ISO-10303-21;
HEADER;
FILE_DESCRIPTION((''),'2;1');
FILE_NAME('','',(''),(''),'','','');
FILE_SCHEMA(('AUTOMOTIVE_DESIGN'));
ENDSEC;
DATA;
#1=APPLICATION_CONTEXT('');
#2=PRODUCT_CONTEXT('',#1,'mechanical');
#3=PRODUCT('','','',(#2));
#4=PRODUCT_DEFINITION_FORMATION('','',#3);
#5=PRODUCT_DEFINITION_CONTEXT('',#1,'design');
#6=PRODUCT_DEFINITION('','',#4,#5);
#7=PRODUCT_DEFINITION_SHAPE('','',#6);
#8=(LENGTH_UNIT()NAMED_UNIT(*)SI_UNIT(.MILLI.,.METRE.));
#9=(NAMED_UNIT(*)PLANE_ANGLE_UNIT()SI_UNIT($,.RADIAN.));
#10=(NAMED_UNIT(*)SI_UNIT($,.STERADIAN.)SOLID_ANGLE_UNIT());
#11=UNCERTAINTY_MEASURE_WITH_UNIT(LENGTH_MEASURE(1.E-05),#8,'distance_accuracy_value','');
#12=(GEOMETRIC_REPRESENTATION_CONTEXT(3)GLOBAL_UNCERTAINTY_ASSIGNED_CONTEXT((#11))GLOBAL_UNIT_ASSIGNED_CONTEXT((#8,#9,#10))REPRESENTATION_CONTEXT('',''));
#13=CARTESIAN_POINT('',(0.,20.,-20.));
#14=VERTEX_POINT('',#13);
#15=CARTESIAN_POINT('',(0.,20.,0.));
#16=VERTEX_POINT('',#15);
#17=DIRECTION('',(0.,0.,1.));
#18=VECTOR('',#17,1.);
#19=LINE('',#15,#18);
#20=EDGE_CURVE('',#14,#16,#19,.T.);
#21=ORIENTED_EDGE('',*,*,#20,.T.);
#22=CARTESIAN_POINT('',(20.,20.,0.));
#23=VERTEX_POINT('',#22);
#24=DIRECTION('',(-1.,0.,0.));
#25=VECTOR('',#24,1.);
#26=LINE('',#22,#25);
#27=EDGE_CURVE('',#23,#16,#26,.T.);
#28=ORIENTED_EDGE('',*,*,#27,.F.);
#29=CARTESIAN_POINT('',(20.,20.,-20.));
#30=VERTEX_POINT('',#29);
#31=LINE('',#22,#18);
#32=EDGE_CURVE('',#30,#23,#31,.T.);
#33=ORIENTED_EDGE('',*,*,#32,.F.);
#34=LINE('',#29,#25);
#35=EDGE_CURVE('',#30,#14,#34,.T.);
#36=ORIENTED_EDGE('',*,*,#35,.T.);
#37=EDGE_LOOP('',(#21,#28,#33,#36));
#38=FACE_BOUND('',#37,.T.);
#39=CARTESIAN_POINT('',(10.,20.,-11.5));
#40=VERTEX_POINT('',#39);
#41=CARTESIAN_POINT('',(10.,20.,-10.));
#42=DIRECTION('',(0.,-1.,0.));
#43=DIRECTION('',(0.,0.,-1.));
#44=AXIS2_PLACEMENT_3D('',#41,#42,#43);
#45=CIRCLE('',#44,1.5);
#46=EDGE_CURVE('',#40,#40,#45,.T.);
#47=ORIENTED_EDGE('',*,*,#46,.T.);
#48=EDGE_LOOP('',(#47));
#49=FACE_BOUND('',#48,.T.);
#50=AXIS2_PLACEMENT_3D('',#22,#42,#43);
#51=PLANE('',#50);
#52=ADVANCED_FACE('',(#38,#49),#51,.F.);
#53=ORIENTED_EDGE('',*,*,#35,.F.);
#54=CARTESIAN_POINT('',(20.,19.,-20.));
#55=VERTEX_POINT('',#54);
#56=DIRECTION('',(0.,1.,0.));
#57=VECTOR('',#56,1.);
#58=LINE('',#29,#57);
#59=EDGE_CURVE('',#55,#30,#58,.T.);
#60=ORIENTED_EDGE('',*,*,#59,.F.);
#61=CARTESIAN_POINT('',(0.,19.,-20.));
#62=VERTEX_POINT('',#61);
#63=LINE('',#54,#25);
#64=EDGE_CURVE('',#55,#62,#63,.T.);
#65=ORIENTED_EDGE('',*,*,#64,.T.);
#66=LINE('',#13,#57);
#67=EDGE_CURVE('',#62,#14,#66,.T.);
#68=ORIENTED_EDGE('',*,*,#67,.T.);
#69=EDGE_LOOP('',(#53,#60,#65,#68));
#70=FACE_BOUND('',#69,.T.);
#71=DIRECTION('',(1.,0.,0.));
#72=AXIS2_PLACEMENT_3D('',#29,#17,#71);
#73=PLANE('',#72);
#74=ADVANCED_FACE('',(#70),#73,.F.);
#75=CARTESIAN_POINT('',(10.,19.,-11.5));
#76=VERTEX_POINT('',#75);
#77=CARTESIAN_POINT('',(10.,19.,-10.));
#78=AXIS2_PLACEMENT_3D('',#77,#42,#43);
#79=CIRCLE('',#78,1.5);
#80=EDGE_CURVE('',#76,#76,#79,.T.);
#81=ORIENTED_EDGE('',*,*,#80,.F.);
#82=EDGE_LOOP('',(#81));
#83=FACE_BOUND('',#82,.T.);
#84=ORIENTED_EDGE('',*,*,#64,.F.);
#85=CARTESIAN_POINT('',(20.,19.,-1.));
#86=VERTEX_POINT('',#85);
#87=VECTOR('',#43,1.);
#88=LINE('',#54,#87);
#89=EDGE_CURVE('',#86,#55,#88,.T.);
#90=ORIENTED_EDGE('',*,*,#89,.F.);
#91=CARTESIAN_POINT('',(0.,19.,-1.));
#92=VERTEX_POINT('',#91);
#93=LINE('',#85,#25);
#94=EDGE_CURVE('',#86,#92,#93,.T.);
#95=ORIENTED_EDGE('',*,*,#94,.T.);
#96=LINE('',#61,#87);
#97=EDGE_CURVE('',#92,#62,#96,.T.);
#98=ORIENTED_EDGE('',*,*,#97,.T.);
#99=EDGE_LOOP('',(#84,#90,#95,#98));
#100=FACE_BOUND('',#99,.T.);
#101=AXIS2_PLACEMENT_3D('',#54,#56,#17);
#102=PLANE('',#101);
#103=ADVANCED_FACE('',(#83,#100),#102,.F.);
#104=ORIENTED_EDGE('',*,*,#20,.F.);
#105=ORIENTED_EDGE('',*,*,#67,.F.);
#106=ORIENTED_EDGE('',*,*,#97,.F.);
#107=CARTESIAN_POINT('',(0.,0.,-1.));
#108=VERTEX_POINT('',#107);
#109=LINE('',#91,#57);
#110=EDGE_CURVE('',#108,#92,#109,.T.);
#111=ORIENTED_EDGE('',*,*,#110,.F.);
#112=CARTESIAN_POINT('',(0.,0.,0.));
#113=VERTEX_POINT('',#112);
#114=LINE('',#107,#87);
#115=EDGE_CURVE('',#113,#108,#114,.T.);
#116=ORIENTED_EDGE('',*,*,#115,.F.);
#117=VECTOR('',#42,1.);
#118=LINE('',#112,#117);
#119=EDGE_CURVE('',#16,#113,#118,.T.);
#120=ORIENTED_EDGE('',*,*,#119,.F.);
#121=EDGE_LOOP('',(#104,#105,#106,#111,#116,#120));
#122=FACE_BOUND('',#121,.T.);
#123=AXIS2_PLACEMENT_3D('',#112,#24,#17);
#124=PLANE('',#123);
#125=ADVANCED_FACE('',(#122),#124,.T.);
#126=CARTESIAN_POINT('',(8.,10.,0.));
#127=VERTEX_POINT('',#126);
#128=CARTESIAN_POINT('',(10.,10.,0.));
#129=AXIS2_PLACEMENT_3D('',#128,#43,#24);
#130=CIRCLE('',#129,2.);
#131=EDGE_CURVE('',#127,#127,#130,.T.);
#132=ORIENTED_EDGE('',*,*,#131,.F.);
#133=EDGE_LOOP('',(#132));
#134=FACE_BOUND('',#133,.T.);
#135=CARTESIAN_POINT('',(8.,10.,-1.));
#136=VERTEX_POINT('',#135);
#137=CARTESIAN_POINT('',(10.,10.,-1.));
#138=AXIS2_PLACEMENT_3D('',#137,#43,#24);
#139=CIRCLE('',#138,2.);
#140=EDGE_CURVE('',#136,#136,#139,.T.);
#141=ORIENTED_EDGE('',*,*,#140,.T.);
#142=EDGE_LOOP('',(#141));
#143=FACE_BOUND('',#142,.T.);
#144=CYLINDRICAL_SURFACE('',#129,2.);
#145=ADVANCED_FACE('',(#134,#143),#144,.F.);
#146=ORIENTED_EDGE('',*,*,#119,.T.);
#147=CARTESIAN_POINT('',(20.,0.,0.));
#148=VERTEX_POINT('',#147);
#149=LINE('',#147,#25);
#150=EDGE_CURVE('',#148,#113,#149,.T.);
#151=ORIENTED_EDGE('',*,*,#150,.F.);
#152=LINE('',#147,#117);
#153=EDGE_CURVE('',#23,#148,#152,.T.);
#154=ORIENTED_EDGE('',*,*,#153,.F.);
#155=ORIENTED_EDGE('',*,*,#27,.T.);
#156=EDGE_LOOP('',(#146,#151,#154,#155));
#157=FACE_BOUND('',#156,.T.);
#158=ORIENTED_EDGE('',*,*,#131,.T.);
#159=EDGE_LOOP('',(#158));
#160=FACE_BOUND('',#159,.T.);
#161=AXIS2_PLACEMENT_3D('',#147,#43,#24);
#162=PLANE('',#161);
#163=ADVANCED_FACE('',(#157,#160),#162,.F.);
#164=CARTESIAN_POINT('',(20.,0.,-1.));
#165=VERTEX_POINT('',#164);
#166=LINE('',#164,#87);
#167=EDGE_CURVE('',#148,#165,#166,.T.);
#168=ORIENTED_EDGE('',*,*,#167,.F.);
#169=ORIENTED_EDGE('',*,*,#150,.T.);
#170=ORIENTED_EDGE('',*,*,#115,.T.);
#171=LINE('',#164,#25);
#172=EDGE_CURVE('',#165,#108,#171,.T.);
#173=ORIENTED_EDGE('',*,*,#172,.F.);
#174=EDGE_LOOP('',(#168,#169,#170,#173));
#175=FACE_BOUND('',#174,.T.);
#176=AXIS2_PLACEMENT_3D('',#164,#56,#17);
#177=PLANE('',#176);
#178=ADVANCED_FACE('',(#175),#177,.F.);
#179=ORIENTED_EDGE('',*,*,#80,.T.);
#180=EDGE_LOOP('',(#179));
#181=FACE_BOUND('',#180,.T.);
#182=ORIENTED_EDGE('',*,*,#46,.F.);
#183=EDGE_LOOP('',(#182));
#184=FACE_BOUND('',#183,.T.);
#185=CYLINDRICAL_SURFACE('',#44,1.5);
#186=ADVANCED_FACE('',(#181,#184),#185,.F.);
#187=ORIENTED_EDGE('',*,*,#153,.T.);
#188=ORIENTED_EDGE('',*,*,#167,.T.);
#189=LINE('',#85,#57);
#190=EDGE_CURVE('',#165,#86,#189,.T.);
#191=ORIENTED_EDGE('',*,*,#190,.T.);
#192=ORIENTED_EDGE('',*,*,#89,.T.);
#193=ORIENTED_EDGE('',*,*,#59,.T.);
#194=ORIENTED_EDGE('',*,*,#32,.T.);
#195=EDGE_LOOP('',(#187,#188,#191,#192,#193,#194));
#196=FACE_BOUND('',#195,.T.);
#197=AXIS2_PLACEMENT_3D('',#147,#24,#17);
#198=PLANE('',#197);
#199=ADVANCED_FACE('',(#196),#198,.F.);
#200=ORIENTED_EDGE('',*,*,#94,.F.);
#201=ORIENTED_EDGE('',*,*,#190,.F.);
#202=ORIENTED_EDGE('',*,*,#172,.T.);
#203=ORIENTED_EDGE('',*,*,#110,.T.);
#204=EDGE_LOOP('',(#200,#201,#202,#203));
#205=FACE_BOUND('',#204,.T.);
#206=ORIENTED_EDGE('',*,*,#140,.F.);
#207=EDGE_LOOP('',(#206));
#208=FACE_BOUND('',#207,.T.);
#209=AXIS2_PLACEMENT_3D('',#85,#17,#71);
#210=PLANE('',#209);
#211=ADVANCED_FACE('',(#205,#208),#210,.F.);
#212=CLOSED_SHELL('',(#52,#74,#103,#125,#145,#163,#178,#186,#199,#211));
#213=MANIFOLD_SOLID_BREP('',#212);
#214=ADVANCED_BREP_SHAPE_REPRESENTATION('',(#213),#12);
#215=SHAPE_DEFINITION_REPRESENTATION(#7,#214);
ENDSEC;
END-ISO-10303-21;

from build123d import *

# Parameters (mm, degrees)
EXTRUDE_1_DEPTH     = 20
SKETCH_2_R          = 2
CUT_EXTRUDE_1_DEPTH = 35.073450075
SKETCH_3_R          = 1.5
CUT_EXTRUDE_2_DEPTH = 35.073450075


with BuildPart() as part:
    # 草图1 → 凸台-拉伸1 (new body)
    with BuildSketch(Plane(origin=(0, 0, 0), x_dir=(0, 0, -1), z_dir=(1, 0, 0))):
        Polygon((0, 0), (0, 20), (20, 20), (20, 19), (1, 19), (1, 0), align=None)
    extrude(amount=EXTRUDE_1_DEPTH)

    # 草图2 → 切除-拉伸1 (cut, through all)
    with BuildSketch(Plane(origin=(0, 0, -1), x_dir=(-1, 0, 0), z_dir=(0, 0, -1))):
        with Locations((-10, 10)):
            Circle(SKETCH_2_R)
    extrude(amount=-CUT_EXTRUDE_1_DEPTH, mode=Mode.SUBTRACT)

    # 草图3 → 切除-拉伸2 (cut, through all)
    with BuildSketch(Plane.XZ.offset(-19)):
        with Locations(Location((10, -10, 0), (0, 0, 270))):
            Circle(SKETCH_3_R)
    extrude(amount=-CUT_EXTRUDE_2_DEPTH, mode=Mode.SUBTRACT)


solid = part.part
